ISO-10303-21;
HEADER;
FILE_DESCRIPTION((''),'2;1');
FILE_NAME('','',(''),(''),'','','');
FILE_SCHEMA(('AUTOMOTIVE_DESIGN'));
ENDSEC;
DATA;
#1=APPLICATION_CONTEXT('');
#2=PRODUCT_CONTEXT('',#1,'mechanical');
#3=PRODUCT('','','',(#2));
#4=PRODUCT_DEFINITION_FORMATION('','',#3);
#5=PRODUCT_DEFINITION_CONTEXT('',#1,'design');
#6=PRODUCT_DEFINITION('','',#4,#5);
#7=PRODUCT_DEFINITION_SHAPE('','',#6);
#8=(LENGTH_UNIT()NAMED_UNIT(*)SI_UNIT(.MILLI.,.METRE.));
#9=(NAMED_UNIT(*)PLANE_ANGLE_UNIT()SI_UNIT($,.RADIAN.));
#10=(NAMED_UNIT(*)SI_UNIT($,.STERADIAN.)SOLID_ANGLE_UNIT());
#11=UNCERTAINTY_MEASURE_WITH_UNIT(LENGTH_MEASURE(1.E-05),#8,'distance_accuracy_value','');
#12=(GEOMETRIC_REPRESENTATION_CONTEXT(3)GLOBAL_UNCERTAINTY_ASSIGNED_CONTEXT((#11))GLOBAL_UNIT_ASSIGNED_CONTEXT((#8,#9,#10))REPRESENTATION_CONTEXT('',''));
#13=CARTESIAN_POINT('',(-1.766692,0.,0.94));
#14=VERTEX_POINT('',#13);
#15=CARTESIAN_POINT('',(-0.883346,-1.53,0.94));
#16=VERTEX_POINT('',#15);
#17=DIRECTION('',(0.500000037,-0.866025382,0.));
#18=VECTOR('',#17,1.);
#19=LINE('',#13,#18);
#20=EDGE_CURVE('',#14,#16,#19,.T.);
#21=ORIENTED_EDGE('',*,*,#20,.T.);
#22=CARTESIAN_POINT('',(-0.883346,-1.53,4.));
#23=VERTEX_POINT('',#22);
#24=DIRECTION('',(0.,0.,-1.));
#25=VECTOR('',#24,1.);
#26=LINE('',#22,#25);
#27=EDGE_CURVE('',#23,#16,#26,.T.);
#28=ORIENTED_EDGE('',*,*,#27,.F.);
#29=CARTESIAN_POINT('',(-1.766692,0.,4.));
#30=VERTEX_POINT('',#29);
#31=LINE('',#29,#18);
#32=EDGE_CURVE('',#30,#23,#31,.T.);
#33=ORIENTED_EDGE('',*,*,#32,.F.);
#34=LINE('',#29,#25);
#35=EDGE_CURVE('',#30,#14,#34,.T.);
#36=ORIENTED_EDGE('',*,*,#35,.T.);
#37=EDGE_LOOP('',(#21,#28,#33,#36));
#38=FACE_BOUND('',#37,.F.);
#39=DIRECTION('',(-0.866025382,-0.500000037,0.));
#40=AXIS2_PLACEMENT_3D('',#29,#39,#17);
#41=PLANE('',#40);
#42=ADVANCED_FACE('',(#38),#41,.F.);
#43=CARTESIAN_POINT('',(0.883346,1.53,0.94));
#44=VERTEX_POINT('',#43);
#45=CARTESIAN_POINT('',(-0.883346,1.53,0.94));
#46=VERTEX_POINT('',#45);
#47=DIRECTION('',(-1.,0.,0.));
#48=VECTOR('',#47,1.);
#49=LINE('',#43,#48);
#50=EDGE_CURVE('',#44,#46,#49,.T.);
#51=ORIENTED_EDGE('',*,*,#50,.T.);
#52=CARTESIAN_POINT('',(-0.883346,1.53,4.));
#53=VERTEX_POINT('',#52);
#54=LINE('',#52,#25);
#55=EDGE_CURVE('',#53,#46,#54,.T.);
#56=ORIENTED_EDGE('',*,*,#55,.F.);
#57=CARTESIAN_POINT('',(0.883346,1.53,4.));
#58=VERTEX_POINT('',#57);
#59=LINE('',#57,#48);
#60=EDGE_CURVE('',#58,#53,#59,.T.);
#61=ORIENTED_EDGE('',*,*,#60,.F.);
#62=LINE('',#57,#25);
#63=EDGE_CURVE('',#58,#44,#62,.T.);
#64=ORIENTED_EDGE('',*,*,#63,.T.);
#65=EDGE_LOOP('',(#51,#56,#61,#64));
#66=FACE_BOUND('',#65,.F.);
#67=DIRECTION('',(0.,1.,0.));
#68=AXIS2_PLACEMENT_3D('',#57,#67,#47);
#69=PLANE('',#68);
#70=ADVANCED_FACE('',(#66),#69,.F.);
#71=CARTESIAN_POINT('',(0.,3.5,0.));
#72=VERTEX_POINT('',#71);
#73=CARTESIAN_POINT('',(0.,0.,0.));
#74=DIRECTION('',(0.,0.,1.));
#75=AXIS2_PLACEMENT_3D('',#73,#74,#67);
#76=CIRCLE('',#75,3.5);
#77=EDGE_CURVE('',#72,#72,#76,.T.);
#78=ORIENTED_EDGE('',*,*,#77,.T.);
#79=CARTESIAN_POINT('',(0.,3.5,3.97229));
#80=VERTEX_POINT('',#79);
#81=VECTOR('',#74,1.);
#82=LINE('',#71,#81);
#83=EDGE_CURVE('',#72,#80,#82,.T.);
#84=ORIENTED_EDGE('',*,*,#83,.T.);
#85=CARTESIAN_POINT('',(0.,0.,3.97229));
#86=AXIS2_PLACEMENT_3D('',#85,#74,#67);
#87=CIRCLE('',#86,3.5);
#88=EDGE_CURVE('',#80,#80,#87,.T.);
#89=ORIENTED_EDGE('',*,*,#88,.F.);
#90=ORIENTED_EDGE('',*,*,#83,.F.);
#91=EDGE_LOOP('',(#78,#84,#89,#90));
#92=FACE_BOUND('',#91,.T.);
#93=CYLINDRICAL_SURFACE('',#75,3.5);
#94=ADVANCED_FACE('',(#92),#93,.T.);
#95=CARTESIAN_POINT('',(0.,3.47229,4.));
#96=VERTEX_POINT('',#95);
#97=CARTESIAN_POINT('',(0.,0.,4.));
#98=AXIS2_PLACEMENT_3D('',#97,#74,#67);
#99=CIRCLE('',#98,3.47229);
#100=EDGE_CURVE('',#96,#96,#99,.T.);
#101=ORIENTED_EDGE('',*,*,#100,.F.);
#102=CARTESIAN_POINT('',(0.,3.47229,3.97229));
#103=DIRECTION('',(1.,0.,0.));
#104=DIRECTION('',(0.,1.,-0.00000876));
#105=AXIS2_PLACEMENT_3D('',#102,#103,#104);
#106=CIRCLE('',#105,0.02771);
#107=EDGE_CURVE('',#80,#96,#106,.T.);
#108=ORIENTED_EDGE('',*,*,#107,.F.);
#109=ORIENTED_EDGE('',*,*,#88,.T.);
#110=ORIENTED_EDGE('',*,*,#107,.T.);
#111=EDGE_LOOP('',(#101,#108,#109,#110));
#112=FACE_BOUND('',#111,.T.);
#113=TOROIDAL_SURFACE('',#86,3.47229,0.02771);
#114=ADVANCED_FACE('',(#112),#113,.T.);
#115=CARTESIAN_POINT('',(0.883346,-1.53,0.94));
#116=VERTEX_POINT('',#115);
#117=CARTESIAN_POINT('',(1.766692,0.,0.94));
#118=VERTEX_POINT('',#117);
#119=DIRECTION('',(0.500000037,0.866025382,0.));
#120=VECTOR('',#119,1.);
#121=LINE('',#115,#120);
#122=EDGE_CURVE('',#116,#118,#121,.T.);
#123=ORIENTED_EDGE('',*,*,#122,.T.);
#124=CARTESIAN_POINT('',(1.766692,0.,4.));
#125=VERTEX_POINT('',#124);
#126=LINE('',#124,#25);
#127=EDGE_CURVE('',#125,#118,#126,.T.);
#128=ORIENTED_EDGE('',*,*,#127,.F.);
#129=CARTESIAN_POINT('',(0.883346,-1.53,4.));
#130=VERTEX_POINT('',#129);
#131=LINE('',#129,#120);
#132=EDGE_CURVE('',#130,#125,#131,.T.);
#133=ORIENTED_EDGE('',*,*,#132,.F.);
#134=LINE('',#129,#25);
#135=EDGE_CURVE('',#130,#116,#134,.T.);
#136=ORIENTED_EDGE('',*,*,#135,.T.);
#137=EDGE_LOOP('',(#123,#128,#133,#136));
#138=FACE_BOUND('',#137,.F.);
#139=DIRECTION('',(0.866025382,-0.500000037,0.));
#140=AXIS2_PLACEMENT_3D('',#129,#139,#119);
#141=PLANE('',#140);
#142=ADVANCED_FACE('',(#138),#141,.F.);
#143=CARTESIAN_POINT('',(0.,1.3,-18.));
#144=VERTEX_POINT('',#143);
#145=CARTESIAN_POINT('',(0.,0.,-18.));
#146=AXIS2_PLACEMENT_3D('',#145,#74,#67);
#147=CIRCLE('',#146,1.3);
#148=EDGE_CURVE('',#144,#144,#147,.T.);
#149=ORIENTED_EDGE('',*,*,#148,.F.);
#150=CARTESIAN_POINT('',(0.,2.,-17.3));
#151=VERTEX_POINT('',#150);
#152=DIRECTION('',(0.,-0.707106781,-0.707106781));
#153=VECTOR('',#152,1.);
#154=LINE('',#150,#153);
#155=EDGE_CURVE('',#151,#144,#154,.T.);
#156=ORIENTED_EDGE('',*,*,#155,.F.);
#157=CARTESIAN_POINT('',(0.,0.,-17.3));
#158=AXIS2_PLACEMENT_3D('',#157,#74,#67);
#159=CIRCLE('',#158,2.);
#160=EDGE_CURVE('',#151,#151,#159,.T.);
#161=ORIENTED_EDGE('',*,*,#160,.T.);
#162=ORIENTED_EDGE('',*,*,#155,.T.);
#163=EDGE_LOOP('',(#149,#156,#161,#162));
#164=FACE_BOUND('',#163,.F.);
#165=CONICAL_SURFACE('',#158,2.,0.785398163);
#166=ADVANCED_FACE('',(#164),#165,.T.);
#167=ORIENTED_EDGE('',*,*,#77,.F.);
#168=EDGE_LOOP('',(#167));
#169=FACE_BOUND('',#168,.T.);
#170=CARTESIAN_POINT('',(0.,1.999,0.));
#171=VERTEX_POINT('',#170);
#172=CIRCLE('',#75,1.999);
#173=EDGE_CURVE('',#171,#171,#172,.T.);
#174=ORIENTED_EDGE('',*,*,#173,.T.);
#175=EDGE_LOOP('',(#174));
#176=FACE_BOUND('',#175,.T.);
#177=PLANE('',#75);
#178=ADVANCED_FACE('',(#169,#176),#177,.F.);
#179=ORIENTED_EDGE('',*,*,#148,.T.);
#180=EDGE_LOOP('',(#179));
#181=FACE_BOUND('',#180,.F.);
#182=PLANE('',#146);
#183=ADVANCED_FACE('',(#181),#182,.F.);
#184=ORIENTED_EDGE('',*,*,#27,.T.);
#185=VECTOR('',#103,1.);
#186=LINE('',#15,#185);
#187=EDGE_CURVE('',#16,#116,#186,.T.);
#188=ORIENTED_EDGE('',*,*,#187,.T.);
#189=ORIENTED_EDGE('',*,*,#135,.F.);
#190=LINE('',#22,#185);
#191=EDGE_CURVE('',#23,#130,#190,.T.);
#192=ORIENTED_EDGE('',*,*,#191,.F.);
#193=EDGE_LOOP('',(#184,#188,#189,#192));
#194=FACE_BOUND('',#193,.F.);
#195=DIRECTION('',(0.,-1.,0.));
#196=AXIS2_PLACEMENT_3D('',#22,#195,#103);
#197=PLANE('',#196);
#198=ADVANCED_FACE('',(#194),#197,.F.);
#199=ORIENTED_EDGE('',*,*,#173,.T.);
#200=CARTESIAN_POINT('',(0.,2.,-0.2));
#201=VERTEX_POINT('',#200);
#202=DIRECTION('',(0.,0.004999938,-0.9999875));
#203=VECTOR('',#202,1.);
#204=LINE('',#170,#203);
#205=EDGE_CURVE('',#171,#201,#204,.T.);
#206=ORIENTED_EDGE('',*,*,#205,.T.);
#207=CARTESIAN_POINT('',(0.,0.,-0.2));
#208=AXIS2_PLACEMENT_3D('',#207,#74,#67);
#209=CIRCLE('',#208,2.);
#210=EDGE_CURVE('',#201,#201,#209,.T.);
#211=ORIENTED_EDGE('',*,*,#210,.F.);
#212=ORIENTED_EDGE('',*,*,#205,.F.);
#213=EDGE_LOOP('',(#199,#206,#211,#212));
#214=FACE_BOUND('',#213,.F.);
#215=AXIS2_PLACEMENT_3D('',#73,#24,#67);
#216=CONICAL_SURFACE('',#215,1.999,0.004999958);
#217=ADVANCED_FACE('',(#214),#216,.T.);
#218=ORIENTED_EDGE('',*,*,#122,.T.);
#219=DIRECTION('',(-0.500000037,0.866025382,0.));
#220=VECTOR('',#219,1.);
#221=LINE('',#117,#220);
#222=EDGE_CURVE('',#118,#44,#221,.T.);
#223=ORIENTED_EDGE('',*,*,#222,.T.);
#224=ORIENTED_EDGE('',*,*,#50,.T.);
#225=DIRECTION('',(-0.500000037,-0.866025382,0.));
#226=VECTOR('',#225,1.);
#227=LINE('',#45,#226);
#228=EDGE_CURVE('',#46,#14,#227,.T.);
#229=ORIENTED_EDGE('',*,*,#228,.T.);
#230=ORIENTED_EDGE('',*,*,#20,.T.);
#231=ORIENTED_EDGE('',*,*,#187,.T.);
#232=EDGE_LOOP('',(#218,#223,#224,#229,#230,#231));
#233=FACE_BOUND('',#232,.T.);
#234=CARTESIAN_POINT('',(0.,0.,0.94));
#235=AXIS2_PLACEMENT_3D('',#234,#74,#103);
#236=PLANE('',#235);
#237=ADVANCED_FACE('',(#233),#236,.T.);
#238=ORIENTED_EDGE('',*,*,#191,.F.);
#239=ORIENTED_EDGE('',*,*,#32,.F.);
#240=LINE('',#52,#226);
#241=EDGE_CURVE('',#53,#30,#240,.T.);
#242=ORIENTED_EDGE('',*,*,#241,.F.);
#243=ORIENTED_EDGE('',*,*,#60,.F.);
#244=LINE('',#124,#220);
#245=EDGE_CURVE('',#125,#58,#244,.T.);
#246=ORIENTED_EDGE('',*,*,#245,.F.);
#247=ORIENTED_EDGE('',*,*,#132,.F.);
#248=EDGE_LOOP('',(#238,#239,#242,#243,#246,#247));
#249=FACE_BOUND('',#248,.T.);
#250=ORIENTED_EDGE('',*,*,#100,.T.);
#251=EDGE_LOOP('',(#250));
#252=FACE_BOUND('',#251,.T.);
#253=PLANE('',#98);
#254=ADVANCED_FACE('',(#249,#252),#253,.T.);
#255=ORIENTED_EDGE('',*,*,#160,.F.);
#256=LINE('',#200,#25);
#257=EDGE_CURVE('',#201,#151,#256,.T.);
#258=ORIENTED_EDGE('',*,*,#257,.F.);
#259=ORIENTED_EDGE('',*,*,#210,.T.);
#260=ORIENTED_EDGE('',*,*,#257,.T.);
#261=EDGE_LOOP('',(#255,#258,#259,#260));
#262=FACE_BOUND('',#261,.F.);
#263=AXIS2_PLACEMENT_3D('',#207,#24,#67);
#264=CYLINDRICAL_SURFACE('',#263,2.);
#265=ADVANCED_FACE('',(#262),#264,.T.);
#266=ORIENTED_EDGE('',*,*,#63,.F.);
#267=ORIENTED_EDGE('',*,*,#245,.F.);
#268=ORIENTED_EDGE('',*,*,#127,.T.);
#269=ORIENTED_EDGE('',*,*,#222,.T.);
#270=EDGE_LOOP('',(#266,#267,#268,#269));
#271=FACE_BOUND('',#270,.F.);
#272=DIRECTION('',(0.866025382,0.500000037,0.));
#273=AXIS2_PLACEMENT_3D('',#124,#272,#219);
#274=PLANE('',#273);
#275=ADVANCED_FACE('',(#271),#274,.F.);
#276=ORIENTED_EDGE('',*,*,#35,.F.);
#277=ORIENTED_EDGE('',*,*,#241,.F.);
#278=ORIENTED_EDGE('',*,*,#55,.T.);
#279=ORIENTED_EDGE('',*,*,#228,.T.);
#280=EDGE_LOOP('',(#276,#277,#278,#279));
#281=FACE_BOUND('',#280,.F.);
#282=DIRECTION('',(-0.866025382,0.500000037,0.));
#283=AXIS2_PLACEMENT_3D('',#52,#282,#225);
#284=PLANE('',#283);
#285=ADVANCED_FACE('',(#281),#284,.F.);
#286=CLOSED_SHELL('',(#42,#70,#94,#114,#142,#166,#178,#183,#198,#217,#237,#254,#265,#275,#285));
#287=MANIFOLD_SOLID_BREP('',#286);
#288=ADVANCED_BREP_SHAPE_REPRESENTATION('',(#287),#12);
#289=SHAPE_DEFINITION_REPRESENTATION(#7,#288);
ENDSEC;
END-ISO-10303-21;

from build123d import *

# Parameters (mm, degrees)
POCKET_DEPTH = 3.06


with BuildPart() as part:
    # Sketch → Revolve (revolve)
    with BuildSketch(Plane.YZ):
        with BuildLine():
            Line((1.999, 0), (3.5, 0))
            Line((3.5, 0), (3.5, 3.97229))
            ThreePointArc((3.5, 3.97229), (3.491884, 3.991884), (3.47229, 4))
            Line((3.47229, 4), (0, 4))
            Line((0, -18), (0, 4))
            Line((1.3, -18), (0, -18))
            Line((2, -17.3), (1.3, -18))
            Line((2, -0.2), (2, -17.3))
            Line((1.999, 0), (2, -0.2))
        make_face()
    revolve(axis=Axis((0, 0, 0), (0, 0, 1)))

    # Sketch001 → Pocket (cut)
    with BuildSketch(Plane.XY.offset(4)):
        Polygon((1.766692, 0), (0.883346, 1.53), (-0.883346, 1.53), (-1.766692, 0), (-0.883346, -1.53), (0.883346, -1.53), align=None)
    extrude(amount=-POCKET_DEPTH, mode=Mode.SUBTRACT)


solid = part.part
